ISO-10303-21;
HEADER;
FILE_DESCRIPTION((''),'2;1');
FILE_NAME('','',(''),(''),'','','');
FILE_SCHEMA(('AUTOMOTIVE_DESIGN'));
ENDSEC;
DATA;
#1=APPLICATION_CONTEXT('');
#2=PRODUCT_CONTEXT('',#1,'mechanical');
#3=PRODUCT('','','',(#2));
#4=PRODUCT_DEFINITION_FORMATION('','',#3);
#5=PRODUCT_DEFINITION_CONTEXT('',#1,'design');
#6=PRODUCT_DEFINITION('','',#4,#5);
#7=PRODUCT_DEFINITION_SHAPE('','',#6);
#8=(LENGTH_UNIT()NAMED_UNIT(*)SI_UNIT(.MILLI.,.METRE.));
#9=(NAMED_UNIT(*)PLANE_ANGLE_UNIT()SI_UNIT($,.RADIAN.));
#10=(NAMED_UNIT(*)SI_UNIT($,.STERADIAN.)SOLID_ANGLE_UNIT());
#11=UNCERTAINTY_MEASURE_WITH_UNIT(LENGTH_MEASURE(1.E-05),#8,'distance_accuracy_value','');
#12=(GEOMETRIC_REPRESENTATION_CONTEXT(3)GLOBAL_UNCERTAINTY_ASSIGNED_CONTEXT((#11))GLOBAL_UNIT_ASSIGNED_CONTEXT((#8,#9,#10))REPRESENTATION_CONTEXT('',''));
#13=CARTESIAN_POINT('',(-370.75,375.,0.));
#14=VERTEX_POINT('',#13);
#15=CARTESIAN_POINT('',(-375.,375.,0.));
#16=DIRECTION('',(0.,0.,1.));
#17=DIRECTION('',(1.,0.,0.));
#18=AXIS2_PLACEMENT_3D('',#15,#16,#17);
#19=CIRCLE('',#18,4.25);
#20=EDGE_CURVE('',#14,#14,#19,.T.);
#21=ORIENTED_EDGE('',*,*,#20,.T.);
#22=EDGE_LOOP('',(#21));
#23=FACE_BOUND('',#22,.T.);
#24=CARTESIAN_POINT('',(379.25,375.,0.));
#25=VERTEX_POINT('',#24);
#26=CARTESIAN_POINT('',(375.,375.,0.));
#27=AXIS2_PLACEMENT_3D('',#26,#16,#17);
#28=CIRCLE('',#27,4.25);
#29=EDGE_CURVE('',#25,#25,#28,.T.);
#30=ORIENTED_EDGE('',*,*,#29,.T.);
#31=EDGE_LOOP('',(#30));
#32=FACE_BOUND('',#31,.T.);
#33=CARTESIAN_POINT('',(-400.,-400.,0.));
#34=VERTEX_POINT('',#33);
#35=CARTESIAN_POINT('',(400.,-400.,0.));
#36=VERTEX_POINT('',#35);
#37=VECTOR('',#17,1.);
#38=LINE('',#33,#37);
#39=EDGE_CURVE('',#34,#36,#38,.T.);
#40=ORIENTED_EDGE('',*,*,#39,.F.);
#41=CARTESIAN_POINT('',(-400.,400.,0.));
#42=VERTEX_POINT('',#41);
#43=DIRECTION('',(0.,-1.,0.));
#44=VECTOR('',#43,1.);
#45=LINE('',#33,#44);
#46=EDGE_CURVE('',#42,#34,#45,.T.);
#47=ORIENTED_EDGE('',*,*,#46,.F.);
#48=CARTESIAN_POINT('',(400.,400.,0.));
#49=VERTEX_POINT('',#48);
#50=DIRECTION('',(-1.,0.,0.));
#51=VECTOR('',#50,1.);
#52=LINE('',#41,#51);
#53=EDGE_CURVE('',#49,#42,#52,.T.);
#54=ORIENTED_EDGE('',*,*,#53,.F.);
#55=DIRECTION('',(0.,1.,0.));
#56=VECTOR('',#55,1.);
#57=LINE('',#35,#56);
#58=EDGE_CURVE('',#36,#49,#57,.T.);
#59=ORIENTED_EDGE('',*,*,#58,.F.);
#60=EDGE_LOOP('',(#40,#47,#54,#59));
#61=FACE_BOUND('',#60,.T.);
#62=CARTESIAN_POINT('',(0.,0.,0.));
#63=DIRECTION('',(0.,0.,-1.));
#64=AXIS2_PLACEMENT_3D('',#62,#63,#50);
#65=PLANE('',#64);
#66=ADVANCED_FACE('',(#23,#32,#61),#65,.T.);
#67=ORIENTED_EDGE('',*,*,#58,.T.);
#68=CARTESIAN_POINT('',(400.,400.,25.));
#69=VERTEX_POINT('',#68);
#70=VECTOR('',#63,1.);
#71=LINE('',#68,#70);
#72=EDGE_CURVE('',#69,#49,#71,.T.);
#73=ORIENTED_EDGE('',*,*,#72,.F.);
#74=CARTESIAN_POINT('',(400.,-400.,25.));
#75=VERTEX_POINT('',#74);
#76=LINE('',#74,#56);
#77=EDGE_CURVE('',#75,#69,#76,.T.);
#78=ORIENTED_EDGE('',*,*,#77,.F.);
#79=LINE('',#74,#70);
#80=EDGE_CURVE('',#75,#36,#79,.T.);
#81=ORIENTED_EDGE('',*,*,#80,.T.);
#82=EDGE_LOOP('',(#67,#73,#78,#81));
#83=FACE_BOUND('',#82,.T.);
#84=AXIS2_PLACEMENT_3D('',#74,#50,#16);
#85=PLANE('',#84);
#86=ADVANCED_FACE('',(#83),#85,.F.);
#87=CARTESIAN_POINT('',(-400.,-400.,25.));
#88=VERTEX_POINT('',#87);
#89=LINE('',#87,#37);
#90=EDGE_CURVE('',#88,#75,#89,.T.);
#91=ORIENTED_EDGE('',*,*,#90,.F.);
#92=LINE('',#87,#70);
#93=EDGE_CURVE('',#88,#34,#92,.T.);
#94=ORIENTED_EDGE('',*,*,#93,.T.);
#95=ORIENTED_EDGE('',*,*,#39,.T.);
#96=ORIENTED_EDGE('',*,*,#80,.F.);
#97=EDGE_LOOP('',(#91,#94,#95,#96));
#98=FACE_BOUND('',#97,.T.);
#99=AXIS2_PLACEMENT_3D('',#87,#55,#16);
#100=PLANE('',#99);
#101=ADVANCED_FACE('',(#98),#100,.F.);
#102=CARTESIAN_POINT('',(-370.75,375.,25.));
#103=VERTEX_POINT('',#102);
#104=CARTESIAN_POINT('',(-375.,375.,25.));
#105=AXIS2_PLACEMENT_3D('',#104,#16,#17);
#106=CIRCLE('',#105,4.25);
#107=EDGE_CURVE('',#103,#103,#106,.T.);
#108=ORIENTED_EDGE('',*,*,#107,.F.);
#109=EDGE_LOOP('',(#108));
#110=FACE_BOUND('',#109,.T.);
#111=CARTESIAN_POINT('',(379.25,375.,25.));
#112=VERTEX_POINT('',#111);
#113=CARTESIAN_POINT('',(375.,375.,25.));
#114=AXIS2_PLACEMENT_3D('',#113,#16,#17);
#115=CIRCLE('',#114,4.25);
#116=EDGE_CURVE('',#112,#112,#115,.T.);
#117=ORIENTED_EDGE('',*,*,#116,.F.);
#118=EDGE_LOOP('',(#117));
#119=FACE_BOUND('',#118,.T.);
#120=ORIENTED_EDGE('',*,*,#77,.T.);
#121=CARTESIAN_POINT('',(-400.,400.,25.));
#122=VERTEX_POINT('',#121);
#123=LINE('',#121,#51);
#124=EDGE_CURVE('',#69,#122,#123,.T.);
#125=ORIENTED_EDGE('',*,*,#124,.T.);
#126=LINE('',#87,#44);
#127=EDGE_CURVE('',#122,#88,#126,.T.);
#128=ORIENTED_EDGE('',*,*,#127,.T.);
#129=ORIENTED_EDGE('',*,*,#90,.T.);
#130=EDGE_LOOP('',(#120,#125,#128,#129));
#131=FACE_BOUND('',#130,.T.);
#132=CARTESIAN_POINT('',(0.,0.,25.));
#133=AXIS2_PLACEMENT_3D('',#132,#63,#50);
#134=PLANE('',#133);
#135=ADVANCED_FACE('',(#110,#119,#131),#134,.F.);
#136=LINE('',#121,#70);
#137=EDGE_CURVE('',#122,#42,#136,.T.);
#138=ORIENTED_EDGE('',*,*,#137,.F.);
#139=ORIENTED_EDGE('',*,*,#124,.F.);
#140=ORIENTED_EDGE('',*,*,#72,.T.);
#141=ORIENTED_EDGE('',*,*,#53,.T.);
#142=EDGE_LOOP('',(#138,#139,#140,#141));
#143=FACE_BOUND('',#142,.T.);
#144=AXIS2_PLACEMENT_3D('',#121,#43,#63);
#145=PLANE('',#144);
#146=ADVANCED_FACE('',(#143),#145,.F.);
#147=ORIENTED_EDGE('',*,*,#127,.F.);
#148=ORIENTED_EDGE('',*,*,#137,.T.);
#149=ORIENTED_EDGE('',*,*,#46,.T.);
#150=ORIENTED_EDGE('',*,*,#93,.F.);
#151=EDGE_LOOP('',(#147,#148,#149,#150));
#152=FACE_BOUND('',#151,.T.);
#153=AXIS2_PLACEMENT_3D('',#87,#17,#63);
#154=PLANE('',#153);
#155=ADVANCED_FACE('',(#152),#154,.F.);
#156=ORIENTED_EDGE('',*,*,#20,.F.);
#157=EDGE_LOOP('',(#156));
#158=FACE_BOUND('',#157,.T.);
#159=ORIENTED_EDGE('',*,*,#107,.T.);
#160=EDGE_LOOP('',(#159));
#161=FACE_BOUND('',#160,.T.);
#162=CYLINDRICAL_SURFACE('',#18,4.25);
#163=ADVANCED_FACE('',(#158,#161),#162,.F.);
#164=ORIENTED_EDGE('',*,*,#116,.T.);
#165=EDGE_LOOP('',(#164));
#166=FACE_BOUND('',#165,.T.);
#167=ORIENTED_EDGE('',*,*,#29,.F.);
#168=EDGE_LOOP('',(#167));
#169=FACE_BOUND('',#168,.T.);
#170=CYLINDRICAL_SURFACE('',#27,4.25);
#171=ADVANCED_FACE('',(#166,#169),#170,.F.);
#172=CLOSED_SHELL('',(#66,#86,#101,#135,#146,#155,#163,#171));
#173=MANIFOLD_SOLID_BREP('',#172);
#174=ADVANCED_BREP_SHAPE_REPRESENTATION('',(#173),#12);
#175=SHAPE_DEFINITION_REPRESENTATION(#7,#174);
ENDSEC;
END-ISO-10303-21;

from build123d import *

# Parameters (mm, degrees)
SKETCH1_W           = 800
SKETCH1_H           = 800
BOSS_EXTRUDE1_DEPTH = 25
SKETCH2_R           = 4.25
CUT_EXTRUDE1_DEPTH  = 25


with BuildPart() as part:
    # Sketch1 → Boss-Extrude1 (new body)
    with BuildSketch(Plane.XY):
        Rectangle(SKETCH1_W, SKETCH1_H)
    extrude(amount=BOSS_EXTRUDE1_DEPTH)

    # Sketch2 → Cut-Extrude1 (cut)
    with BuildSketch(Plane.XY.offset(25)):
        with Locations((375, 375)):
            Circle(SKETCH2_R)
        with Locations((-375, 375)):
            Circle(SKETCH2_R)
    extrude(amount=-CUT_EXTRUDE1_DEPTH, mode=Mode.SUBTRACT)


solid = part.part
